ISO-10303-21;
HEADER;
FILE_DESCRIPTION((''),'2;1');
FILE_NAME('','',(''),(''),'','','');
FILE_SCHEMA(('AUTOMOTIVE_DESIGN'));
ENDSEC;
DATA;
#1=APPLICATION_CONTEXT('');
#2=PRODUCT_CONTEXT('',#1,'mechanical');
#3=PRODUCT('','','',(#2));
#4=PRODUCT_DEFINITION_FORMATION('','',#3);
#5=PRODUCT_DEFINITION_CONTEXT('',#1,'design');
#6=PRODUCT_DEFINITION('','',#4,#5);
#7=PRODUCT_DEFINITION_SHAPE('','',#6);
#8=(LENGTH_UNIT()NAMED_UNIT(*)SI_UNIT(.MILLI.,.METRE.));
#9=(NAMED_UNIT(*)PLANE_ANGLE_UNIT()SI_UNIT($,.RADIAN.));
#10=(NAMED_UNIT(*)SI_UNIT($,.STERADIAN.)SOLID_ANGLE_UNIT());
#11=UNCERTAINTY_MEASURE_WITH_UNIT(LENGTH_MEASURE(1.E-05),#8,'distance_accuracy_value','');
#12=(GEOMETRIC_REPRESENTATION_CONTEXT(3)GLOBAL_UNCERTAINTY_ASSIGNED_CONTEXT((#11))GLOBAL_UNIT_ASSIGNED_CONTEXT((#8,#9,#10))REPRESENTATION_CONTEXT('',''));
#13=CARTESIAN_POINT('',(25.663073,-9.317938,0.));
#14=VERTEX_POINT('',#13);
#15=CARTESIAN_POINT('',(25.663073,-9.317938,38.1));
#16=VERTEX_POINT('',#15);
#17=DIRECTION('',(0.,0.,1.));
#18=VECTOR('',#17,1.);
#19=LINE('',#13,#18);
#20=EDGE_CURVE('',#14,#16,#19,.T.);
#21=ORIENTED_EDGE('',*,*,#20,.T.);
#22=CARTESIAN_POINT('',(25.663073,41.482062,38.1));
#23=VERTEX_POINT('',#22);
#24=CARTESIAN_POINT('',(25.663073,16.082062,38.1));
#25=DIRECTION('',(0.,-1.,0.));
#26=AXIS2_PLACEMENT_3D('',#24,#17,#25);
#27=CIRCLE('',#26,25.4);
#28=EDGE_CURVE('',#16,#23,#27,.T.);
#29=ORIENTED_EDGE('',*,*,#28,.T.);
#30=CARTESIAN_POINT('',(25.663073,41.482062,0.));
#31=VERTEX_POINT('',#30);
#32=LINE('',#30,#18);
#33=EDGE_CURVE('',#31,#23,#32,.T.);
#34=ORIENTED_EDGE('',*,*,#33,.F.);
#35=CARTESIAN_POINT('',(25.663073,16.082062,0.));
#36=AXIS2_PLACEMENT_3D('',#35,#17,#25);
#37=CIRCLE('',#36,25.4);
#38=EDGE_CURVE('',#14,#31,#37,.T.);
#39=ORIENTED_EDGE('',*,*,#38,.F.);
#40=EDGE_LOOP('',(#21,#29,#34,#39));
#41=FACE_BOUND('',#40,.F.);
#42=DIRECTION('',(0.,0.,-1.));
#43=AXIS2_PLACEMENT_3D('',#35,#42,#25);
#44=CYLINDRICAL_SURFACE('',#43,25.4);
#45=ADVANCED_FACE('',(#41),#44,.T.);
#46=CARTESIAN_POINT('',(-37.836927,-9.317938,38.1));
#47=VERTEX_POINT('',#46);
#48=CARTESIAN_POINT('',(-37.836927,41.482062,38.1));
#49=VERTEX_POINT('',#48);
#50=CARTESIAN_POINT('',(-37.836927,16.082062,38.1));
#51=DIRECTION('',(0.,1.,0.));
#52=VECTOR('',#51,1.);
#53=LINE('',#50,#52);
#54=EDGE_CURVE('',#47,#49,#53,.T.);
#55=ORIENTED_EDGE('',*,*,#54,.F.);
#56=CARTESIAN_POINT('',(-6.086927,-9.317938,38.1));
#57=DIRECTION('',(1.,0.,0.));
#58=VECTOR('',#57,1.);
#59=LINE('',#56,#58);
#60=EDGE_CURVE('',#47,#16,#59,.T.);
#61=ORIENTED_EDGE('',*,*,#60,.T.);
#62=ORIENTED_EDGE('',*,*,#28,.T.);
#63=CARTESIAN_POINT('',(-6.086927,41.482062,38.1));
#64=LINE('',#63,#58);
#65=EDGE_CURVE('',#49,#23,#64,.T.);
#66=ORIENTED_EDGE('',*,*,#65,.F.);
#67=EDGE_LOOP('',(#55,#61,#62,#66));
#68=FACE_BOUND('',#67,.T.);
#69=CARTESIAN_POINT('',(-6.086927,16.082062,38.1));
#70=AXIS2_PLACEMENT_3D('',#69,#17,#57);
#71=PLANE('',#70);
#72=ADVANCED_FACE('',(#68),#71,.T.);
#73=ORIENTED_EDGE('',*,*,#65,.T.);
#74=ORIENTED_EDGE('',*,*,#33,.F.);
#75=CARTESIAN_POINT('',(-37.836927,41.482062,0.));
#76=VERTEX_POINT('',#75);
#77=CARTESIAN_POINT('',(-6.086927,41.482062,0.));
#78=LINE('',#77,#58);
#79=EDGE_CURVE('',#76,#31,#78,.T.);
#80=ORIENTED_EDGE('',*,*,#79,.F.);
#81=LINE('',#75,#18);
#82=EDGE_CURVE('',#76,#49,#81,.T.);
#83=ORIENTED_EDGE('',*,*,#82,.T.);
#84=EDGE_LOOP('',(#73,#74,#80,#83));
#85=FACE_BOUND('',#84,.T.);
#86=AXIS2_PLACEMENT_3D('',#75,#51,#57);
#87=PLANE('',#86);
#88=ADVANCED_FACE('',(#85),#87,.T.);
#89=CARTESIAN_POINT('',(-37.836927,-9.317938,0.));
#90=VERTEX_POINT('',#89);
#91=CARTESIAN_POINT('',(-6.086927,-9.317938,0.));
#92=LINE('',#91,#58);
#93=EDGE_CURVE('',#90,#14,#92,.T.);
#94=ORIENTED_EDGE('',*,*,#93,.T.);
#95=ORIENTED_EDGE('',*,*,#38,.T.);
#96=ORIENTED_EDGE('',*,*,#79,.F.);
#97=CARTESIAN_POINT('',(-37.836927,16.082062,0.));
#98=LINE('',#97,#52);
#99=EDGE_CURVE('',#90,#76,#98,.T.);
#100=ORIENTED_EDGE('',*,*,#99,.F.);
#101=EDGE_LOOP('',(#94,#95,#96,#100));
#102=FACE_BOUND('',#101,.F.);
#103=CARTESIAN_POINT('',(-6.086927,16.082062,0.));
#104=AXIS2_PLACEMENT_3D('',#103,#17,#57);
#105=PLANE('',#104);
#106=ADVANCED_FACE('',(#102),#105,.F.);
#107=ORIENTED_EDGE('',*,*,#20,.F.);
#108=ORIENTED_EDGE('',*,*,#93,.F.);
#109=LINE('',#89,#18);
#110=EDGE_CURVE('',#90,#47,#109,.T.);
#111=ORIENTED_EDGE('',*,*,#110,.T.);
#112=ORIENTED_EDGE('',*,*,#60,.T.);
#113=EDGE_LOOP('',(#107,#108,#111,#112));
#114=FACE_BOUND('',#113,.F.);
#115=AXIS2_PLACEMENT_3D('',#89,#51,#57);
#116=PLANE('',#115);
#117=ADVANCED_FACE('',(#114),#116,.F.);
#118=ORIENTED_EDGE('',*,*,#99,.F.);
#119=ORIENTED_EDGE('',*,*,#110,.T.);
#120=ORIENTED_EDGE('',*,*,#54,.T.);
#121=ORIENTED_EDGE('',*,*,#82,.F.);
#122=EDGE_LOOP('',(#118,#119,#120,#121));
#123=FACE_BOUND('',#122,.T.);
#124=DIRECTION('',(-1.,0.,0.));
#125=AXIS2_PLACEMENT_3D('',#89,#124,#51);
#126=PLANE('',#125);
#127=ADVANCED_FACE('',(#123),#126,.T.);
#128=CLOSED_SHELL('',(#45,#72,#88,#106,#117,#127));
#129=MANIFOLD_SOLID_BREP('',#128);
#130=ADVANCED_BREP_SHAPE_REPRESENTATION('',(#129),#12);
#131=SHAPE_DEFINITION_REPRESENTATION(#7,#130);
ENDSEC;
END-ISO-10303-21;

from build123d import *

# Parameters (mm, degrees)
F0_W     = 63.5
F0_H     = 50.8
F1_DEPTH = 38.1
F2_DEPTH = 38.1


with BuildPart() as f1:
    # F0 (on Top) → F1 (new body)
    with BuildSketch(Plane.XY):
        with Locations((-6.086927, 16.082062)):
            Rectangle(F0_W, F0_H)
    extrude(amount=F1_DEPTH)

    # F0 (on Top) → F2 (join)
    with BuildSketch(Plane.XY):
        with Locations((-6.086927, 16.082062)):
            Rectangle(F0_W, F0_H)
        with BuildLine():
            ThreePointArc((25.663073, -9.317938), (51.063073, 16.082062), (25.663073, 41.482062))
            Line((25.663073, 41.482062), (25.663073, -9.317938))
        make_face()
    extrude(amount=F2_DEPTH)


solid = f1.part
